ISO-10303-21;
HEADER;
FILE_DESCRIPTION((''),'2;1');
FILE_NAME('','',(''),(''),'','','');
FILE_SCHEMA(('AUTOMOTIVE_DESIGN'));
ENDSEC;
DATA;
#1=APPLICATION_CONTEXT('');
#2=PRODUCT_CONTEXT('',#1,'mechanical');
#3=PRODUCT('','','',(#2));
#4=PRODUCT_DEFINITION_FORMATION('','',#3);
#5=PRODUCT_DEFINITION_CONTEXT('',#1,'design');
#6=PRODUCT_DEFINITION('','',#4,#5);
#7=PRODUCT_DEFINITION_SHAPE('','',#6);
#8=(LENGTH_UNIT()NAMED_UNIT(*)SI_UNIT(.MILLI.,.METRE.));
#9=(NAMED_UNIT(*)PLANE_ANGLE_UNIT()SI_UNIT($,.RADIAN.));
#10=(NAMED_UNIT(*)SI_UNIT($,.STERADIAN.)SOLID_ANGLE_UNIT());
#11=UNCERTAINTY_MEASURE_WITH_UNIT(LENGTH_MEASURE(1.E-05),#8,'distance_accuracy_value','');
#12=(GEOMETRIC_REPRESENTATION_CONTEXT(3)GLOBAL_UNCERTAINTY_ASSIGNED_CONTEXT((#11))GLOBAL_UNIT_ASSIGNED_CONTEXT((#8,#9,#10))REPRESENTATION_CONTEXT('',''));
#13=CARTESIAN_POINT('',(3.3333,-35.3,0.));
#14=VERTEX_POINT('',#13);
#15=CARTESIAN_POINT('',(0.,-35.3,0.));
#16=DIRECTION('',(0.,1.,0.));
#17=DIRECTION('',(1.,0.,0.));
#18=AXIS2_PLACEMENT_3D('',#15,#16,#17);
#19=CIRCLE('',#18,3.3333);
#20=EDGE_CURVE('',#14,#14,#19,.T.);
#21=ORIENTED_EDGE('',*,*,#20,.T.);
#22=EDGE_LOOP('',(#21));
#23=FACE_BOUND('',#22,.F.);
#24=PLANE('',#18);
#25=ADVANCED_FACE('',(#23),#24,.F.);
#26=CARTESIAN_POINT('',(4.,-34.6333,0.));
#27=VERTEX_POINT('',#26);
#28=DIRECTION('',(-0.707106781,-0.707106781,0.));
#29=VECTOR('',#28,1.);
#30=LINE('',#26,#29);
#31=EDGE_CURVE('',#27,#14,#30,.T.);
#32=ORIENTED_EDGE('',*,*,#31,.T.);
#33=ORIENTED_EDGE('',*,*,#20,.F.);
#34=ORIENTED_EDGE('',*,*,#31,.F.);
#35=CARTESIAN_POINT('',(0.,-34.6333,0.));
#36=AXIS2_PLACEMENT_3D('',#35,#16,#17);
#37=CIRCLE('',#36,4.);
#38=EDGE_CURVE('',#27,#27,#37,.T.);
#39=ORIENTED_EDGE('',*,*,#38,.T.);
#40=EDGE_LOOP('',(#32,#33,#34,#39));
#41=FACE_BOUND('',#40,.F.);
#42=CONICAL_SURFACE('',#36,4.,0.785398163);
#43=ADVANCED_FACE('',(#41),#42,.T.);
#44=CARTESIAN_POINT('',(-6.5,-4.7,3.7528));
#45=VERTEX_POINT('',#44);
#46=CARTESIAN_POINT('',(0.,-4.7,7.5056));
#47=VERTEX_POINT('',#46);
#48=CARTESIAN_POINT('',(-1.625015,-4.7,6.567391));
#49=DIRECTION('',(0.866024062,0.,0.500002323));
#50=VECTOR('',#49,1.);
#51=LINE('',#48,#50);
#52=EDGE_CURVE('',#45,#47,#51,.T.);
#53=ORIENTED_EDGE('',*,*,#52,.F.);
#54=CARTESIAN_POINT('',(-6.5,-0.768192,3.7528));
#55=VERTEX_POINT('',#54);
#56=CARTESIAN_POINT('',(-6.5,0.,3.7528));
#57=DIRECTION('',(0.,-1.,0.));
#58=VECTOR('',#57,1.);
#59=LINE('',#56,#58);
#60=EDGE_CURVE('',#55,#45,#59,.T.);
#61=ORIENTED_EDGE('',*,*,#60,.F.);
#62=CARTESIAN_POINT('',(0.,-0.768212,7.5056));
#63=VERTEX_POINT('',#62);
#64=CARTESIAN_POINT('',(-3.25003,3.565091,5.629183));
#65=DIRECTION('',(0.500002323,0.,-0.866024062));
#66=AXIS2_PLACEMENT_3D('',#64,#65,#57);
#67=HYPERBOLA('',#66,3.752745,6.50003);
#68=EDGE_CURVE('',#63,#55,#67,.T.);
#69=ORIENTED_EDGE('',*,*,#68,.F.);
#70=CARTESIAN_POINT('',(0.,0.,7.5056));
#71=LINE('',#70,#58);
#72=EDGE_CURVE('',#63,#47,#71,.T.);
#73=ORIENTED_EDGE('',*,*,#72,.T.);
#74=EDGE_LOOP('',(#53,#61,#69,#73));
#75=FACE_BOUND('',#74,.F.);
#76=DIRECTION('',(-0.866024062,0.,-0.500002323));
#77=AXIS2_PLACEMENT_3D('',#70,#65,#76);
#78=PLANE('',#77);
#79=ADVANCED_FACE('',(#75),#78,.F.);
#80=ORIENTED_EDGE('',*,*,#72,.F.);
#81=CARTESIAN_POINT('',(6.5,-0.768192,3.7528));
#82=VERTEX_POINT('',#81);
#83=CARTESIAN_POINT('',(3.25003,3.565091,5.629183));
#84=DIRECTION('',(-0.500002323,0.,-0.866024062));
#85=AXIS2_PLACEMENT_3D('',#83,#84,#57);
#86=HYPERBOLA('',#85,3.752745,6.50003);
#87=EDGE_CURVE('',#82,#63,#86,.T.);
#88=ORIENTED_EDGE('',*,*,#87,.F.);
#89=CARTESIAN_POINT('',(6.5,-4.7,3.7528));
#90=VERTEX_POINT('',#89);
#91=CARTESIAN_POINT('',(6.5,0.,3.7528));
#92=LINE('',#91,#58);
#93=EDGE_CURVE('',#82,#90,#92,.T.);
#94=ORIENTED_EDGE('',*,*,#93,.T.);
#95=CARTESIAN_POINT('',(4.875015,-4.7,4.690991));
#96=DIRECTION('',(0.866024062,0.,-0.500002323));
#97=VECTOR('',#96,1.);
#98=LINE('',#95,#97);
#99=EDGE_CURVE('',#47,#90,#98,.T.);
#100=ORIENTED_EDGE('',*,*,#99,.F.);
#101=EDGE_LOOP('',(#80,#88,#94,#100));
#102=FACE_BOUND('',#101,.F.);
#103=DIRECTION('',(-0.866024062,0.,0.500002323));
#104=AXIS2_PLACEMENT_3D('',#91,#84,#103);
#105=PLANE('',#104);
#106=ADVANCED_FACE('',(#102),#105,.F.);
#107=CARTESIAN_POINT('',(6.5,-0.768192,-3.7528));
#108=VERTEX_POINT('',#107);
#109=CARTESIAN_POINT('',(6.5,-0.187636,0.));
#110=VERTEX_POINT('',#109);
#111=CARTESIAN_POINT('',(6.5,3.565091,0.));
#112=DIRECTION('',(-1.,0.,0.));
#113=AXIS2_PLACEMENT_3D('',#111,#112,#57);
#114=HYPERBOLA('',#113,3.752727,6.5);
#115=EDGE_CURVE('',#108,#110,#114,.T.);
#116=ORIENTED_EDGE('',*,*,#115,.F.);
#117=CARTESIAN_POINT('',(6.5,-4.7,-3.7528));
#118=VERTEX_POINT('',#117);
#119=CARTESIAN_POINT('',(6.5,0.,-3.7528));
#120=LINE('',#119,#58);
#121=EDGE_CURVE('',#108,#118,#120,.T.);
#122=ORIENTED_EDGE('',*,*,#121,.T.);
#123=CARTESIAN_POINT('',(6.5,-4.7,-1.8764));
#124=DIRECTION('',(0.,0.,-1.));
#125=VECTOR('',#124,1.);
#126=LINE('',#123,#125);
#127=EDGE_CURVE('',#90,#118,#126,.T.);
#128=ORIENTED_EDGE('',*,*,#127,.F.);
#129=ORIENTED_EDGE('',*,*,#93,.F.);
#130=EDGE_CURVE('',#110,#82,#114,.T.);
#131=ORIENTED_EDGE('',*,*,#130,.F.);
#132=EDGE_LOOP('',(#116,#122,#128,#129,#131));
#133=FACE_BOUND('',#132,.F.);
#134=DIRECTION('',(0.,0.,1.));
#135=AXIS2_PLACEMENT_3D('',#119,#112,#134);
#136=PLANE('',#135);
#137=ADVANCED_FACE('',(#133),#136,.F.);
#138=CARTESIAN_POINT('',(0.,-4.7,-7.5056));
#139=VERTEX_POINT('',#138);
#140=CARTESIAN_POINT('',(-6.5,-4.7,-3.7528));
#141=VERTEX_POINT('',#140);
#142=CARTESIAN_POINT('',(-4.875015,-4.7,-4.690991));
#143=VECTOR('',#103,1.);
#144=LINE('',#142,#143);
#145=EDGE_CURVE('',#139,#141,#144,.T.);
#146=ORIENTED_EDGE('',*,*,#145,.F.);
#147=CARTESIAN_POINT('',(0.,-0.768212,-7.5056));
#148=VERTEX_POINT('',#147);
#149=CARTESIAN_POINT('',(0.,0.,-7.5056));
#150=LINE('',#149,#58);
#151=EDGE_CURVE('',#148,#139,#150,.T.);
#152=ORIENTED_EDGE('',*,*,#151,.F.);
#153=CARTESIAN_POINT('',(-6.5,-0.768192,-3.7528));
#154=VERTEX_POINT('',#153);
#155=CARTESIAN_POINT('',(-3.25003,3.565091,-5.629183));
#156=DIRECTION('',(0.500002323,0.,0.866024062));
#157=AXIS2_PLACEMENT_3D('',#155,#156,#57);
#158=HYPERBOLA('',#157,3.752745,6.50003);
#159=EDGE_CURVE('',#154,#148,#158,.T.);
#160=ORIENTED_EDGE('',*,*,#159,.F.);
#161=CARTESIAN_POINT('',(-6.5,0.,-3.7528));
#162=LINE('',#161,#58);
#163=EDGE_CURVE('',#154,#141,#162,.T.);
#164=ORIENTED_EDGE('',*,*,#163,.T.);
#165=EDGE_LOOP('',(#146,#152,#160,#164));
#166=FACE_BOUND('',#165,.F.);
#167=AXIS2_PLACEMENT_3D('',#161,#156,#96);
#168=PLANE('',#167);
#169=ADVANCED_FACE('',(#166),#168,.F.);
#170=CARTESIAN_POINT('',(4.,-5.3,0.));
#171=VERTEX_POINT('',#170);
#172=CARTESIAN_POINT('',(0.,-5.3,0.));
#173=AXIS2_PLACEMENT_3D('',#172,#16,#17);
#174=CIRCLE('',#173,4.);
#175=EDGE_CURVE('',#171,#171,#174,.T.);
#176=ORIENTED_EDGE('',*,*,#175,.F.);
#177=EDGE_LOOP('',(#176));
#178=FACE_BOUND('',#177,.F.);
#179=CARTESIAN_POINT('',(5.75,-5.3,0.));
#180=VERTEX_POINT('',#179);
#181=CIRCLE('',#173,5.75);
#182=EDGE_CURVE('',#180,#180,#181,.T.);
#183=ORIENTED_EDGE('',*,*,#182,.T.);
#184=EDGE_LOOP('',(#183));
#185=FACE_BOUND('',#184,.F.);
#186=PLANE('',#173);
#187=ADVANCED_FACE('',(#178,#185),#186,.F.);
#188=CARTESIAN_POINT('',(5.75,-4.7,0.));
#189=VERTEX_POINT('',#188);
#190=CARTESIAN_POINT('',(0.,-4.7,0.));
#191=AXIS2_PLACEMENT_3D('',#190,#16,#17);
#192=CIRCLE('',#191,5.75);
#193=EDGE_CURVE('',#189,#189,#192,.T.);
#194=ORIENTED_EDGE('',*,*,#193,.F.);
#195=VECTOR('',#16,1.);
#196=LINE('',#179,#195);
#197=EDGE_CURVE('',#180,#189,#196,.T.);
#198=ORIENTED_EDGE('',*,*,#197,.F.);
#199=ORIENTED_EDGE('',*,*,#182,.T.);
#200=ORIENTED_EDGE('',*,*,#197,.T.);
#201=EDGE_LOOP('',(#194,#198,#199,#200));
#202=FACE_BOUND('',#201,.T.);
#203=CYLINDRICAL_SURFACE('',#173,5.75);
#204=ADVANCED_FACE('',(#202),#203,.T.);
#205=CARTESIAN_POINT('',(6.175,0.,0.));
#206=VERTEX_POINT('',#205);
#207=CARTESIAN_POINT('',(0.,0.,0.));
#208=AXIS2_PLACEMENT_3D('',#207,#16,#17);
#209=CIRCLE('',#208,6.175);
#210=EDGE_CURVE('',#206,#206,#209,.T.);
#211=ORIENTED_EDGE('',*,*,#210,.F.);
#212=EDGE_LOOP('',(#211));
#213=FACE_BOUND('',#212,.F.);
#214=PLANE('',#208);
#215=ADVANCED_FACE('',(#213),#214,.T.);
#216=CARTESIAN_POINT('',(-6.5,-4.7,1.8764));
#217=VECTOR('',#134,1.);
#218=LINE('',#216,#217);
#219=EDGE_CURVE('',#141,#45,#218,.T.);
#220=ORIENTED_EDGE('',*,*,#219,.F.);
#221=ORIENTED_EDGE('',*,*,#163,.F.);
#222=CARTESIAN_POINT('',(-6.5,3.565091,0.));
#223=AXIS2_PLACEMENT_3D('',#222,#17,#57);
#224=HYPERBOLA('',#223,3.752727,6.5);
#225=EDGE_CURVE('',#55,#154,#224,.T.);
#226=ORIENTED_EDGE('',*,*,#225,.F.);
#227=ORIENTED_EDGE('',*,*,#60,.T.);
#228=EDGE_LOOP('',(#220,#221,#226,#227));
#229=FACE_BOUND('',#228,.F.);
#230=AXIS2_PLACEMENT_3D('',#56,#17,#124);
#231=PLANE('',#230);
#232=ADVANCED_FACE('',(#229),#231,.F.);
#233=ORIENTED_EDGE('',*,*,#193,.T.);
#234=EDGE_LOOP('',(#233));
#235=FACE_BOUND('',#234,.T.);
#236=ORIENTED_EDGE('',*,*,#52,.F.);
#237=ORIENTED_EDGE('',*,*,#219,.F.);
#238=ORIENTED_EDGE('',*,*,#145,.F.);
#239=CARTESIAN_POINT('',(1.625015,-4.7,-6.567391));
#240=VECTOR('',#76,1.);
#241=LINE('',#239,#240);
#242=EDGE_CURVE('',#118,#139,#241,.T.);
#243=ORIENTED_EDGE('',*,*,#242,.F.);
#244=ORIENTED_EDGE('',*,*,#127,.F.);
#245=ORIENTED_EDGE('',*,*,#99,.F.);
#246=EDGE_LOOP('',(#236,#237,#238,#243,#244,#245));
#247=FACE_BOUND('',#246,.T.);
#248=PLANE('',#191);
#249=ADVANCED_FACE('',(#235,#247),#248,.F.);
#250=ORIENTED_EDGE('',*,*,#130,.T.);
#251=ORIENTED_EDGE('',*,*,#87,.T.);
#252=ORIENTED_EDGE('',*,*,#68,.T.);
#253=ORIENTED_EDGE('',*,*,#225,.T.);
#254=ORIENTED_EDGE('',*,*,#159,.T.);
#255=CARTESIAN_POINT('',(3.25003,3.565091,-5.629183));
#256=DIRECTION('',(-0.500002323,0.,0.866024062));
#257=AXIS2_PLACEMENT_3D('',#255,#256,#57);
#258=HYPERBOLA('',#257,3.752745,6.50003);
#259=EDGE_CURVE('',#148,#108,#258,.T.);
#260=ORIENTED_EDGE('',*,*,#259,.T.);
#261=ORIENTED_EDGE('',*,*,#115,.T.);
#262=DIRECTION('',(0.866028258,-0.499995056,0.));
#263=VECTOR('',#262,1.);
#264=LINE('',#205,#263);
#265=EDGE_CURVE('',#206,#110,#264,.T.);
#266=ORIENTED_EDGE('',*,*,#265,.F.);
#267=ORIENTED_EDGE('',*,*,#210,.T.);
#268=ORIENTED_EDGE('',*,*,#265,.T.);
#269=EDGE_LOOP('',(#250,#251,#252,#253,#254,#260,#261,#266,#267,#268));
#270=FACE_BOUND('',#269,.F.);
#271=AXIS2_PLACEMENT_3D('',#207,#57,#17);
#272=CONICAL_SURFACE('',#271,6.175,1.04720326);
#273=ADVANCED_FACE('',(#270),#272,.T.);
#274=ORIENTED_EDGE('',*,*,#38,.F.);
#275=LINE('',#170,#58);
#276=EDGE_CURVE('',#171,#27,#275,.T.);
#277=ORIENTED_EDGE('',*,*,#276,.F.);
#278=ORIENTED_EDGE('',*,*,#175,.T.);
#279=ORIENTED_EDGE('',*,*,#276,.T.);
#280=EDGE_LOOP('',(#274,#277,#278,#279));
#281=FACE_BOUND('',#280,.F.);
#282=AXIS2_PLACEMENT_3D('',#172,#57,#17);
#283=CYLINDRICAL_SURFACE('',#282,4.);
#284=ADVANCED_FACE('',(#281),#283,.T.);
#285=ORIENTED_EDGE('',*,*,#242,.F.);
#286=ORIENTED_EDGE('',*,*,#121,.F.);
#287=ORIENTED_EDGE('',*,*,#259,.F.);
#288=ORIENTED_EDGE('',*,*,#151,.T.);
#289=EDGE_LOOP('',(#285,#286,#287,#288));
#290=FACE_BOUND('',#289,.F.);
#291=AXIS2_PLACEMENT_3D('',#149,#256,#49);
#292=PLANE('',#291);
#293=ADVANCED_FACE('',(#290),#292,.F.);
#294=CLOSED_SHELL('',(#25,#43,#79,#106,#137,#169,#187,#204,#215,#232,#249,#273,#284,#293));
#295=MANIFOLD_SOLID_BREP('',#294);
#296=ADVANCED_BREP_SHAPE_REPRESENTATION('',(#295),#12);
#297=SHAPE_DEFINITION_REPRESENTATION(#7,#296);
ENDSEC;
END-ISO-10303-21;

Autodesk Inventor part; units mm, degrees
ref_plane "YZ Plane" through (0, 0, 0) normal (1, 0, 0) x (0, 1, 0)
ref_plane "XZ Plane" through (0, 0, 0) normal (0, 1, 0) x (-1, 0, 0)
ref_plane "XY Plane" through (0, 0, 0) normal (0, 0, 1) x (1, 0, 0)
sketch "Sketch1" plane through (0, 0, 0) normal (0, 0, 1) x (1, 0, 0)
  line L0 (0, 0) -> (6.175, 0)
  line L1 (9.75, -2.064) -> (9.75, -4.7)
  line L2 (5.75, -5.3) -> (4, -5.3)
  line L3 (4, -5.3) -> (4, -35.3)
  line L4 (4, -35.3) -> (0, -35.3)
  line L5 (0, -35.3) -> (0, 0)
  line L6 (5.75, -5.3) -> (5.75, -4.7)
  line L7 (5.75, -4.7) -> (9.75, -4.7)
  line L8 (6.175, 0) -> (9.75, -2.064)
  dimension "d0" = 19.5
  dimension "d1" = 8
  dimension "d3" = 30
  dimension "d4" = 11.5
  dimension "d5" = 0.6
  dimension "d22" = 30
  dimension "d23" = 12.35
  dimension "d24" = 5.3
revolve "Revolution1" add sketch "Sketch1" angle 360 about axis through (0, -35.3, 0) along (0, 1, 0)
sketch "Sketch2" plane through (0, 0, 0) normal (0, 1, 0) x (1, 0, 0)
  line L0 (0, -7.5056) -> (-6.5, -3.7528)
  line L1 (-6.5, -3.7528) -> (-6.5, 3.7528)
  line L2 (-6.5, 3.7528) -> (0, 7.5056)
  line L3 (0, 7.5056) -> (6.5, 3.7528)
  line L4 (6.5, 3.7528) -> (6.5, -3.7528)
  line L5 (6.5, -3.7528) -> (0, -7.5056)
  circle A0 centre (0, 0) radius 9.75 projected
  point P0 (0, 0)
  point P1 (0, 0)
  dimension "d25" = 13
extrude "Extrusion1" cut sketch "Sketch2" against normal blind 5.3
thread "Thread1" size "M8x1.25" class "6g" standard "ISO Metric profile" length 22
chamfer "Chamfer1" distance 0.6667 angle 45 1 edges at (-4, -35.3, 0)
equation "\"d0\" = 1.5 * S_"
equation "\"d1\" = d1_"
equation "\"d3\" = L"
equation "\"d4\" = dw"
equation "\"d5\" = hw"
equation "\"d23\" = 0.95 * S_"
equation "\"d24\" = k"
equation "\"d14\" = b"
equation "\"d16\" = 0.0833333 * d"
equation "\"d25\" = S_"
equation "\"d26\" = k"
equation "\"d\" = 8"
equation "\"d1_\" = 8"
equation "\"S_\" = 13"
equation "\"k\" = 5.3"
equation "\"e\" = 14.2"
equation "\"L\" = 30"
equation "\"b\" = 22"
equation "\"Grip_Length\" = 8"
equation "\"dw\" = 11.5"
equation "\"hw\" = 0.6"
properties part number "Bolt A M8-6g×30(S13) GOST 7798-70" material "Steel, Mild"
